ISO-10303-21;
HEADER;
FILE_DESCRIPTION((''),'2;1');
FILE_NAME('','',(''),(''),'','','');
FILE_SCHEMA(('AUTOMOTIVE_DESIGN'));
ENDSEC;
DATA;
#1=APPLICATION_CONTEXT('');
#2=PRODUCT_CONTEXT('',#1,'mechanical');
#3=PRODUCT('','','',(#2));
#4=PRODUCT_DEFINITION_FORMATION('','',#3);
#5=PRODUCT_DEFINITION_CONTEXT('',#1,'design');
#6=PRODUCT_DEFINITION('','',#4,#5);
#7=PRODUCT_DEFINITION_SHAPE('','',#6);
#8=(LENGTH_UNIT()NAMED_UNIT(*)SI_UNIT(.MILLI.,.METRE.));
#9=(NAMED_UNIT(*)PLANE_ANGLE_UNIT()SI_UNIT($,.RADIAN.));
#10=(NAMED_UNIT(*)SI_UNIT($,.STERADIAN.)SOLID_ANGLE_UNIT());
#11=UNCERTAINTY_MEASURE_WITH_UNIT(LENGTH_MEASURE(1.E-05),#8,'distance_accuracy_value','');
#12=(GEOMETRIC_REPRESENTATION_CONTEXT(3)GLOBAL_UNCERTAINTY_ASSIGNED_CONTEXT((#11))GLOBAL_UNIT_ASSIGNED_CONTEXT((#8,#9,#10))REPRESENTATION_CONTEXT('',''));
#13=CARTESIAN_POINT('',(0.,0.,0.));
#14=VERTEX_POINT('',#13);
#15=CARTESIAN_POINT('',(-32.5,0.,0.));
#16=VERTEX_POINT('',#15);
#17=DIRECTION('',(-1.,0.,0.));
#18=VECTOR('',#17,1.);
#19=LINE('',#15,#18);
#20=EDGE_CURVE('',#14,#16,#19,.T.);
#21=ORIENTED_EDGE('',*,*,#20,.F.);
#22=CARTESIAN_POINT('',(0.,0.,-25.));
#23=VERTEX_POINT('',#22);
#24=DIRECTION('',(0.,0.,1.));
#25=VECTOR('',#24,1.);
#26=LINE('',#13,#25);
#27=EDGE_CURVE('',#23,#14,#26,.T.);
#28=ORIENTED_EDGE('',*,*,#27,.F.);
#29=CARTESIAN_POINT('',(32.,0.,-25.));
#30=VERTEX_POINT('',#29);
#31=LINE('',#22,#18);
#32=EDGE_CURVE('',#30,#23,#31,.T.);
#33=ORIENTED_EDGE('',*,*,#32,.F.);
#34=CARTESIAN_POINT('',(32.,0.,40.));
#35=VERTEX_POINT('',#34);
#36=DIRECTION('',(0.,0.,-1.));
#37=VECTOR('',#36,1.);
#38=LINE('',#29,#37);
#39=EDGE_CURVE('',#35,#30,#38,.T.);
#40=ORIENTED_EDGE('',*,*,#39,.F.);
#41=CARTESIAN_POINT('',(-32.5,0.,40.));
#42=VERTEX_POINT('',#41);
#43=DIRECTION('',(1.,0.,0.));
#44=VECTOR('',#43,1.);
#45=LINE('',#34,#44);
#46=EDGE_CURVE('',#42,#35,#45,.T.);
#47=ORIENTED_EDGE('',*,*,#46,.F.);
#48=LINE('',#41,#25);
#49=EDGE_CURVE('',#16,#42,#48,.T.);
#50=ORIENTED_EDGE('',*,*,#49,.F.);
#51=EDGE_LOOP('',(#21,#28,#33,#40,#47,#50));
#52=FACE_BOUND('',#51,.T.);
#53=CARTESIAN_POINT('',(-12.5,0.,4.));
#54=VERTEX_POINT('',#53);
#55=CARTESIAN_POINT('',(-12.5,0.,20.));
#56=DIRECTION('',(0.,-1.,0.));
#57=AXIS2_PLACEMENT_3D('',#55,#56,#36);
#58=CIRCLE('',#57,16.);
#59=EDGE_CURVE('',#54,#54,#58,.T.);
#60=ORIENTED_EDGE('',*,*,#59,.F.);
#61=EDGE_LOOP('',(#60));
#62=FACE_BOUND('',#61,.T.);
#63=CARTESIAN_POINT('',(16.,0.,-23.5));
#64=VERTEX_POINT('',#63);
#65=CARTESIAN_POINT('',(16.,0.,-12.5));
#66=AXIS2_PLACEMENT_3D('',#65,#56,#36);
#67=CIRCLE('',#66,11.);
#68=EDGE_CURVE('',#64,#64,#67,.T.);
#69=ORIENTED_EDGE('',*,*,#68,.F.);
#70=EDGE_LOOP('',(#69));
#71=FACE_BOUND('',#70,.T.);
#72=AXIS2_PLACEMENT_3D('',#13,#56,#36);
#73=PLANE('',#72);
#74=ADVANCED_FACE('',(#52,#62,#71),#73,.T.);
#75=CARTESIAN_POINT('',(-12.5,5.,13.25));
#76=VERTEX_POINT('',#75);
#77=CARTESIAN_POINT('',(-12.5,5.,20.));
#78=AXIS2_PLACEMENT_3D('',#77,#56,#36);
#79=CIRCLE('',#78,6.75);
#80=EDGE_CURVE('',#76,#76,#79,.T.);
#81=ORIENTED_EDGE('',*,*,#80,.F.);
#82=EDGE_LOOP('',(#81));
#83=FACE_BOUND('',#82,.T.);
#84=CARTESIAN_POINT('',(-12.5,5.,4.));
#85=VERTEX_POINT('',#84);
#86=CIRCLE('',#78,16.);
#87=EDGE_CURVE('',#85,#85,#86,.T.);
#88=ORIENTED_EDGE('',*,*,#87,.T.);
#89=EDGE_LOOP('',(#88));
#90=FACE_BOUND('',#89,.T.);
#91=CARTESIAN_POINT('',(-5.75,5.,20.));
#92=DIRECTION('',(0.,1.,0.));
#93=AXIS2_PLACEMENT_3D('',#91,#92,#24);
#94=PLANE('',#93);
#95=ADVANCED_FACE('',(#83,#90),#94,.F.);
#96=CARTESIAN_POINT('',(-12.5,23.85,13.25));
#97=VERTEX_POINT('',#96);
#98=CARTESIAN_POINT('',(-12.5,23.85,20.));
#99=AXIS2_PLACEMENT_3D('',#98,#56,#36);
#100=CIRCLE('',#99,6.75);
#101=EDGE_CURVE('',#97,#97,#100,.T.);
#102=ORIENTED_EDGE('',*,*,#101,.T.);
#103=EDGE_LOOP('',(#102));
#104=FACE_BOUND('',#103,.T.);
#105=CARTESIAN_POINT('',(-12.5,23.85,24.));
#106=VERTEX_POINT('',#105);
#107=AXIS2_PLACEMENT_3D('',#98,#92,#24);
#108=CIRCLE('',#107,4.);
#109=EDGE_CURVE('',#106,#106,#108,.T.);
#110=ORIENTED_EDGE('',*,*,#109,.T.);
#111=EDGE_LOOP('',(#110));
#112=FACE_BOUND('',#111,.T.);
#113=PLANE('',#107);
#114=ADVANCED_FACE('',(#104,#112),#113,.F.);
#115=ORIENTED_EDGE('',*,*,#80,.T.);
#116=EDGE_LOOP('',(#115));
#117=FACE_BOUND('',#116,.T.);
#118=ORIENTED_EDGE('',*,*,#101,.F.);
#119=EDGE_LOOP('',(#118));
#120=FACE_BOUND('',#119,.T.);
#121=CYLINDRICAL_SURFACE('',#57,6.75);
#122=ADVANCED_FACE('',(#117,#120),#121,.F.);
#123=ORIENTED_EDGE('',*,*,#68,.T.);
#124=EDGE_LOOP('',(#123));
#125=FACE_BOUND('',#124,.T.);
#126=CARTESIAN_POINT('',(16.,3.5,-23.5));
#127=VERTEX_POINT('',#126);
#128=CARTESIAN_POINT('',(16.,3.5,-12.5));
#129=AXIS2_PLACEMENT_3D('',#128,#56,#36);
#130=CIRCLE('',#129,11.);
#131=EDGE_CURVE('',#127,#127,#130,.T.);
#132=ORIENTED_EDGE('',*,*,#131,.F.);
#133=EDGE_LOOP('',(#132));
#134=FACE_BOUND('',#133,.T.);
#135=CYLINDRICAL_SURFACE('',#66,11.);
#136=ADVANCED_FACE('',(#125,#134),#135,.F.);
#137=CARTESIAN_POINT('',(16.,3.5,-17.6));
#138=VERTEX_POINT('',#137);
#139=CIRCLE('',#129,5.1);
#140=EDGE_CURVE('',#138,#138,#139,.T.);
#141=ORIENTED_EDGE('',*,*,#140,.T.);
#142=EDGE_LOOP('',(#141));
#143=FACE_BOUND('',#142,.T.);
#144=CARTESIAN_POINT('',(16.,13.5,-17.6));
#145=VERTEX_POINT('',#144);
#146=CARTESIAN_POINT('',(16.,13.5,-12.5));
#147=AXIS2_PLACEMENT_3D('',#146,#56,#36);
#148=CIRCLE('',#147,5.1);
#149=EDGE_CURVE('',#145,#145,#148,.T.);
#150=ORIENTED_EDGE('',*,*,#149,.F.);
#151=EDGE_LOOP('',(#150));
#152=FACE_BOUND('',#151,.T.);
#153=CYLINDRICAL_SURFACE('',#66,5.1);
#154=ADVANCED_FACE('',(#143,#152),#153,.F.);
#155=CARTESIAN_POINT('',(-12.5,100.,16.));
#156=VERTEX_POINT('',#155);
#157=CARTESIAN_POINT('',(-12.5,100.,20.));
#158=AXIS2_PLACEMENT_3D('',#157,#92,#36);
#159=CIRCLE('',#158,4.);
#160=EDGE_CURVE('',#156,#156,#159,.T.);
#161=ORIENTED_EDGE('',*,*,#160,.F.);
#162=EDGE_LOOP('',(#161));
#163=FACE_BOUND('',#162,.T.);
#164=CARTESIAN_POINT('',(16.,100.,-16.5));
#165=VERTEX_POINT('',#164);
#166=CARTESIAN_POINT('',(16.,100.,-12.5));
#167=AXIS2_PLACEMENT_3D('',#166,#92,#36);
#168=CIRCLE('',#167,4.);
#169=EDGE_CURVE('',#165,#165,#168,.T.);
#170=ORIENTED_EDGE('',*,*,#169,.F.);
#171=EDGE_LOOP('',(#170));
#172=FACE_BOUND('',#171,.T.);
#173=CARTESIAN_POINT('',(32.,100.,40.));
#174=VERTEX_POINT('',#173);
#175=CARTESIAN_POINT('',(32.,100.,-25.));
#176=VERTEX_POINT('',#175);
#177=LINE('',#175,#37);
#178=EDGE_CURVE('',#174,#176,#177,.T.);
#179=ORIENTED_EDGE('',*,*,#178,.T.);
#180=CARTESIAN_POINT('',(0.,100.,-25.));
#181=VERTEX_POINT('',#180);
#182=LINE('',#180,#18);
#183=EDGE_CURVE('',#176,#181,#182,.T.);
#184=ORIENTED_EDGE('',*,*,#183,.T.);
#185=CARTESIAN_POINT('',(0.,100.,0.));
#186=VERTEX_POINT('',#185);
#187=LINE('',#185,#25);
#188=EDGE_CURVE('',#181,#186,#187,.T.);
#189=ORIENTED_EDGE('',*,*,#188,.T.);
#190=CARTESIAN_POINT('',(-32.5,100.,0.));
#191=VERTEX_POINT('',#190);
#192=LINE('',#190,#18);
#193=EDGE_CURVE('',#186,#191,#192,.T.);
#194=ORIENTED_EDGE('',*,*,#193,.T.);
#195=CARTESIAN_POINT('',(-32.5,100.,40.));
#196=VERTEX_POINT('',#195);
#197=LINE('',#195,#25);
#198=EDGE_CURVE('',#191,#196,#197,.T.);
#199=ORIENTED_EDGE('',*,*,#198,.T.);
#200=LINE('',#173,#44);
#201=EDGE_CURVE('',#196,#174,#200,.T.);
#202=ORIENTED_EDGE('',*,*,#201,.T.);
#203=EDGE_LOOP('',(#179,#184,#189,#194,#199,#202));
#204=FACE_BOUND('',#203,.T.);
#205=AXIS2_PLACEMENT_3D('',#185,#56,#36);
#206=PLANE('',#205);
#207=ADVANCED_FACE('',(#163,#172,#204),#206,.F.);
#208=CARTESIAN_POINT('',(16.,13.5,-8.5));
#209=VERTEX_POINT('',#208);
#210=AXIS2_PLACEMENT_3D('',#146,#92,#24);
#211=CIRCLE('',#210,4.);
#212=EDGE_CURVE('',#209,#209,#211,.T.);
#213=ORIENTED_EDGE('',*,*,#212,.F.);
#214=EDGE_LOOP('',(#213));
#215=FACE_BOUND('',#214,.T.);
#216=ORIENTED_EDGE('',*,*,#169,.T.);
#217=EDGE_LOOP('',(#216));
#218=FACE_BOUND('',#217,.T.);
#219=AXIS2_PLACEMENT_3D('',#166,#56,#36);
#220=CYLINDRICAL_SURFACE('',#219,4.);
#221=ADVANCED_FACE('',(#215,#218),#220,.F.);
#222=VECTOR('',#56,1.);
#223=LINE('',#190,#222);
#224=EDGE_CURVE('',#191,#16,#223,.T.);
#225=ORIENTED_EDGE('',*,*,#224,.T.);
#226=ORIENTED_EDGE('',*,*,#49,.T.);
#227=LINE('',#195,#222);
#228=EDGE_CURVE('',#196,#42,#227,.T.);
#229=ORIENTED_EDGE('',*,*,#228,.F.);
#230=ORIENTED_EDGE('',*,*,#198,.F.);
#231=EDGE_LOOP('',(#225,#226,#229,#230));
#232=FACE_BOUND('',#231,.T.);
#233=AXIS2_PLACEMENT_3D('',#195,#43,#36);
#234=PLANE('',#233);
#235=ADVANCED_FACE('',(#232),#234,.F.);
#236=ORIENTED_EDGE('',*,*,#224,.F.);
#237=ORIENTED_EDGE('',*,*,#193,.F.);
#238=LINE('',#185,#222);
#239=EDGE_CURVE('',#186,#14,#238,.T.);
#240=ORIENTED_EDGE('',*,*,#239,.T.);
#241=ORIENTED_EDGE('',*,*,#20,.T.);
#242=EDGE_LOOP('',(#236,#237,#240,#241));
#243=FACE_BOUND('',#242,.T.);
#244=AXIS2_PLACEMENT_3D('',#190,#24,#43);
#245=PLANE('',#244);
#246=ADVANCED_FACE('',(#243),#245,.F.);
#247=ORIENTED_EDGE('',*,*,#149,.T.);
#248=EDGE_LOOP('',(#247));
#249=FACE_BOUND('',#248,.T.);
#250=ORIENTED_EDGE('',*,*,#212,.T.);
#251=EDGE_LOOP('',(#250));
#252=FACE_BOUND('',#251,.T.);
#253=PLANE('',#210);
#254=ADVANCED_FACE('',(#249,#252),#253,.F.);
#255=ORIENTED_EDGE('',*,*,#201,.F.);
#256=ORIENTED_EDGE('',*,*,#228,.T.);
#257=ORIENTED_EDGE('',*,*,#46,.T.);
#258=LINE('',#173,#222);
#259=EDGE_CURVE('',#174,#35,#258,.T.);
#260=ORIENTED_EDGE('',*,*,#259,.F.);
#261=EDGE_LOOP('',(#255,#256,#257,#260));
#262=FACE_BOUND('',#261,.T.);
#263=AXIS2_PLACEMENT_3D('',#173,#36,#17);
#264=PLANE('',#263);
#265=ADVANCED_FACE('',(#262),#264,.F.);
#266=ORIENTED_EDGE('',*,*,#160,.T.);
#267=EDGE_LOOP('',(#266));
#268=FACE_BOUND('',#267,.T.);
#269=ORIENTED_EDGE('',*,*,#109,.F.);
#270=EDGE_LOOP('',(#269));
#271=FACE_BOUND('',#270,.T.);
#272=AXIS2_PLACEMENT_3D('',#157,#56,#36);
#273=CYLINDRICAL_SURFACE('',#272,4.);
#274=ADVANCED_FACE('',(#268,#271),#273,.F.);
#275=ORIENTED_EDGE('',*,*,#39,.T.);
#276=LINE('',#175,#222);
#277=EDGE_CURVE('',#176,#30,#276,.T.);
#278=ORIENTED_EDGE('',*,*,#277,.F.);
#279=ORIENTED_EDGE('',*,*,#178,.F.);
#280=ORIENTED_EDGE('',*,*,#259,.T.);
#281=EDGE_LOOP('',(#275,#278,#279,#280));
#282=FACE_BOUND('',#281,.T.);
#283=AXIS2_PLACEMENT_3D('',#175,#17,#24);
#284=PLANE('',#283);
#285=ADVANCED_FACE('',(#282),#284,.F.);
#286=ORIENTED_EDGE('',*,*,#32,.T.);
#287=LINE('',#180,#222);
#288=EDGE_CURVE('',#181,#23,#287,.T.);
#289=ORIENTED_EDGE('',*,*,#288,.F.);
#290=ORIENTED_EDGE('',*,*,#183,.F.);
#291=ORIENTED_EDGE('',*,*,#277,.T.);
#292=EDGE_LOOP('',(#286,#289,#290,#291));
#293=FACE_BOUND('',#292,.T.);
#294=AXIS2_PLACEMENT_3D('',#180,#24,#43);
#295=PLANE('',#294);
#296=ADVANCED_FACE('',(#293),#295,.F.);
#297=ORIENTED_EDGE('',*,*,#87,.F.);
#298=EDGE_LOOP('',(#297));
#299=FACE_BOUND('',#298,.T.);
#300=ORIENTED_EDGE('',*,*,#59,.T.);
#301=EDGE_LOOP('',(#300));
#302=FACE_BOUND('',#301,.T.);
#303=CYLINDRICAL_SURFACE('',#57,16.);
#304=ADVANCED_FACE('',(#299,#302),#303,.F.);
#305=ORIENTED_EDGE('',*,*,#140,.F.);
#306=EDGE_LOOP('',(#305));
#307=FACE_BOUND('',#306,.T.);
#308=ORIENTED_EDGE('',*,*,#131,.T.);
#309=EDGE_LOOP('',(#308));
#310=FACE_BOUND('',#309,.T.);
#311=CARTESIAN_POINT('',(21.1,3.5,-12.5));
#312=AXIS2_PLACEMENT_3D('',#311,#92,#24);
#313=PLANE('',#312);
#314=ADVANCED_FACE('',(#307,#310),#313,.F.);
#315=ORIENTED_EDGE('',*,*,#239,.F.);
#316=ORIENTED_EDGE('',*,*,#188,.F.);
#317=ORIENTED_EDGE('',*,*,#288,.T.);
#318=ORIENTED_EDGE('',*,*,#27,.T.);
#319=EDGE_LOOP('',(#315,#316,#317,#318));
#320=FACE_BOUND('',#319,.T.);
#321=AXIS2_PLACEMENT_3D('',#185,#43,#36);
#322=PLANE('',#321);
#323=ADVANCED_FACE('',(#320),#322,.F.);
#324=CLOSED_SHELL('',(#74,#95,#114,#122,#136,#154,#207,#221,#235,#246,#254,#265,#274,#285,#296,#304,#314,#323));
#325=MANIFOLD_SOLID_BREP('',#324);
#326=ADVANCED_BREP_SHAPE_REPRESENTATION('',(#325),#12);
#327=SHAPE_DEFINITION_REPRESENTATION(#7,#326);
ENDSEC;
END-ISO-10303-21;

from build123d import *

# Parameters (mm, degrees)
SKETCH1_R                               = 4
BOSS_EXTRUDE1_DEPTH                     = 100
CBORE_FOR_M5_HEX_HEAD_BOLT2_D           = 13.5
CBORE_FOR_M5_HEX_HEAD_BOLT2_DEPTH       = 23.85
CBORE_FOR_M5_HEX_HEAD_BOLT2_CBORE_D     = 32
CBORE_FOR_M5_HEX_HEAD_BOLT2_CBORE_DEPTH = 5
CBORE_FOR_M5_HEX_HEAD_BOLT3_D           = 10.2
CBORE_FOR_M5_HEX_HEAD_BOLT3_DEPTH       = 13.5
CBORE_FOR_M5_HEX_HEAD_BOLT3_CBORE_D     = 22
CBORE_FOR_M5_HEX_HEAD_BOLT3_CBORE_DEPTH = 3.5


with BuildPart() as part:
    # Sketch1 → Boss-Extrude1 (new body)
    with BuildSketch(Plane(origin=(0, 0, 0), x_dir=(1, 0, 0), z_dir=(0, 1, 0))):
        Polygon((-32.5, 0), (0, 0), (0, 25), (32, 25), (32, -40), (-32.5, -40), align=None)
        with Locations(Location((-12.5, -20, 0), (0, 0, 90))):
            Circle(SKETCH1_R, mode=Mode.SUBTRACT)
        with Locations(Location((16, 12.5, 0), (0, 0, 90))):
            Circle(SKETCH1_R, mode=Mode.SUBTRACT)
    extrude(amount=BOSS_EXTRUDE1_DEPTH)

    # CBORE for M5 Hex Head Bolt2
    with Locations(Plane(origin=(0, 0, 0), x_dir=(-1, 0, 0), z_dir=(0, -1, 0))):
        with Locations((12.5, -20)):
            CounterBoreHole(CBORE_FOR_M5_HEX_HEAD_BOLT2_D / 2, CBORE_FOR_M5_HEX_HEAD_BOLT2_CBORE_D / 2, CBORE_FOR_M5_HEX_HEAD_BOLT2_CBORE_DEPTH, depth=CBORE_FOR_M5_HEX_HEAD_BOLT2_DEPTH)

    # CBORE for M5 Hex Head Bolt3
    with Locations(Plane(origin=(0, 0, 0), x_dir=(-1, 0, 0), z_dir=(0, -1, 0))):
        with Locations((-16, 12.5)):
            CounterBoreHole(CBORE_FOR_M5_HEX_HEAD_BOLT3_D / 2, CBORE_FOR_M5_HEX_HEAD_BOLT3_CBORE_D / 2, CBORE_FOR_M5_HEX_HEAD_BOLT3_CBORE_DEPTH, depth=CBORE_FOR_M5_HEX_HEAD_BOLT3_DEPTH)


solid = part.part
